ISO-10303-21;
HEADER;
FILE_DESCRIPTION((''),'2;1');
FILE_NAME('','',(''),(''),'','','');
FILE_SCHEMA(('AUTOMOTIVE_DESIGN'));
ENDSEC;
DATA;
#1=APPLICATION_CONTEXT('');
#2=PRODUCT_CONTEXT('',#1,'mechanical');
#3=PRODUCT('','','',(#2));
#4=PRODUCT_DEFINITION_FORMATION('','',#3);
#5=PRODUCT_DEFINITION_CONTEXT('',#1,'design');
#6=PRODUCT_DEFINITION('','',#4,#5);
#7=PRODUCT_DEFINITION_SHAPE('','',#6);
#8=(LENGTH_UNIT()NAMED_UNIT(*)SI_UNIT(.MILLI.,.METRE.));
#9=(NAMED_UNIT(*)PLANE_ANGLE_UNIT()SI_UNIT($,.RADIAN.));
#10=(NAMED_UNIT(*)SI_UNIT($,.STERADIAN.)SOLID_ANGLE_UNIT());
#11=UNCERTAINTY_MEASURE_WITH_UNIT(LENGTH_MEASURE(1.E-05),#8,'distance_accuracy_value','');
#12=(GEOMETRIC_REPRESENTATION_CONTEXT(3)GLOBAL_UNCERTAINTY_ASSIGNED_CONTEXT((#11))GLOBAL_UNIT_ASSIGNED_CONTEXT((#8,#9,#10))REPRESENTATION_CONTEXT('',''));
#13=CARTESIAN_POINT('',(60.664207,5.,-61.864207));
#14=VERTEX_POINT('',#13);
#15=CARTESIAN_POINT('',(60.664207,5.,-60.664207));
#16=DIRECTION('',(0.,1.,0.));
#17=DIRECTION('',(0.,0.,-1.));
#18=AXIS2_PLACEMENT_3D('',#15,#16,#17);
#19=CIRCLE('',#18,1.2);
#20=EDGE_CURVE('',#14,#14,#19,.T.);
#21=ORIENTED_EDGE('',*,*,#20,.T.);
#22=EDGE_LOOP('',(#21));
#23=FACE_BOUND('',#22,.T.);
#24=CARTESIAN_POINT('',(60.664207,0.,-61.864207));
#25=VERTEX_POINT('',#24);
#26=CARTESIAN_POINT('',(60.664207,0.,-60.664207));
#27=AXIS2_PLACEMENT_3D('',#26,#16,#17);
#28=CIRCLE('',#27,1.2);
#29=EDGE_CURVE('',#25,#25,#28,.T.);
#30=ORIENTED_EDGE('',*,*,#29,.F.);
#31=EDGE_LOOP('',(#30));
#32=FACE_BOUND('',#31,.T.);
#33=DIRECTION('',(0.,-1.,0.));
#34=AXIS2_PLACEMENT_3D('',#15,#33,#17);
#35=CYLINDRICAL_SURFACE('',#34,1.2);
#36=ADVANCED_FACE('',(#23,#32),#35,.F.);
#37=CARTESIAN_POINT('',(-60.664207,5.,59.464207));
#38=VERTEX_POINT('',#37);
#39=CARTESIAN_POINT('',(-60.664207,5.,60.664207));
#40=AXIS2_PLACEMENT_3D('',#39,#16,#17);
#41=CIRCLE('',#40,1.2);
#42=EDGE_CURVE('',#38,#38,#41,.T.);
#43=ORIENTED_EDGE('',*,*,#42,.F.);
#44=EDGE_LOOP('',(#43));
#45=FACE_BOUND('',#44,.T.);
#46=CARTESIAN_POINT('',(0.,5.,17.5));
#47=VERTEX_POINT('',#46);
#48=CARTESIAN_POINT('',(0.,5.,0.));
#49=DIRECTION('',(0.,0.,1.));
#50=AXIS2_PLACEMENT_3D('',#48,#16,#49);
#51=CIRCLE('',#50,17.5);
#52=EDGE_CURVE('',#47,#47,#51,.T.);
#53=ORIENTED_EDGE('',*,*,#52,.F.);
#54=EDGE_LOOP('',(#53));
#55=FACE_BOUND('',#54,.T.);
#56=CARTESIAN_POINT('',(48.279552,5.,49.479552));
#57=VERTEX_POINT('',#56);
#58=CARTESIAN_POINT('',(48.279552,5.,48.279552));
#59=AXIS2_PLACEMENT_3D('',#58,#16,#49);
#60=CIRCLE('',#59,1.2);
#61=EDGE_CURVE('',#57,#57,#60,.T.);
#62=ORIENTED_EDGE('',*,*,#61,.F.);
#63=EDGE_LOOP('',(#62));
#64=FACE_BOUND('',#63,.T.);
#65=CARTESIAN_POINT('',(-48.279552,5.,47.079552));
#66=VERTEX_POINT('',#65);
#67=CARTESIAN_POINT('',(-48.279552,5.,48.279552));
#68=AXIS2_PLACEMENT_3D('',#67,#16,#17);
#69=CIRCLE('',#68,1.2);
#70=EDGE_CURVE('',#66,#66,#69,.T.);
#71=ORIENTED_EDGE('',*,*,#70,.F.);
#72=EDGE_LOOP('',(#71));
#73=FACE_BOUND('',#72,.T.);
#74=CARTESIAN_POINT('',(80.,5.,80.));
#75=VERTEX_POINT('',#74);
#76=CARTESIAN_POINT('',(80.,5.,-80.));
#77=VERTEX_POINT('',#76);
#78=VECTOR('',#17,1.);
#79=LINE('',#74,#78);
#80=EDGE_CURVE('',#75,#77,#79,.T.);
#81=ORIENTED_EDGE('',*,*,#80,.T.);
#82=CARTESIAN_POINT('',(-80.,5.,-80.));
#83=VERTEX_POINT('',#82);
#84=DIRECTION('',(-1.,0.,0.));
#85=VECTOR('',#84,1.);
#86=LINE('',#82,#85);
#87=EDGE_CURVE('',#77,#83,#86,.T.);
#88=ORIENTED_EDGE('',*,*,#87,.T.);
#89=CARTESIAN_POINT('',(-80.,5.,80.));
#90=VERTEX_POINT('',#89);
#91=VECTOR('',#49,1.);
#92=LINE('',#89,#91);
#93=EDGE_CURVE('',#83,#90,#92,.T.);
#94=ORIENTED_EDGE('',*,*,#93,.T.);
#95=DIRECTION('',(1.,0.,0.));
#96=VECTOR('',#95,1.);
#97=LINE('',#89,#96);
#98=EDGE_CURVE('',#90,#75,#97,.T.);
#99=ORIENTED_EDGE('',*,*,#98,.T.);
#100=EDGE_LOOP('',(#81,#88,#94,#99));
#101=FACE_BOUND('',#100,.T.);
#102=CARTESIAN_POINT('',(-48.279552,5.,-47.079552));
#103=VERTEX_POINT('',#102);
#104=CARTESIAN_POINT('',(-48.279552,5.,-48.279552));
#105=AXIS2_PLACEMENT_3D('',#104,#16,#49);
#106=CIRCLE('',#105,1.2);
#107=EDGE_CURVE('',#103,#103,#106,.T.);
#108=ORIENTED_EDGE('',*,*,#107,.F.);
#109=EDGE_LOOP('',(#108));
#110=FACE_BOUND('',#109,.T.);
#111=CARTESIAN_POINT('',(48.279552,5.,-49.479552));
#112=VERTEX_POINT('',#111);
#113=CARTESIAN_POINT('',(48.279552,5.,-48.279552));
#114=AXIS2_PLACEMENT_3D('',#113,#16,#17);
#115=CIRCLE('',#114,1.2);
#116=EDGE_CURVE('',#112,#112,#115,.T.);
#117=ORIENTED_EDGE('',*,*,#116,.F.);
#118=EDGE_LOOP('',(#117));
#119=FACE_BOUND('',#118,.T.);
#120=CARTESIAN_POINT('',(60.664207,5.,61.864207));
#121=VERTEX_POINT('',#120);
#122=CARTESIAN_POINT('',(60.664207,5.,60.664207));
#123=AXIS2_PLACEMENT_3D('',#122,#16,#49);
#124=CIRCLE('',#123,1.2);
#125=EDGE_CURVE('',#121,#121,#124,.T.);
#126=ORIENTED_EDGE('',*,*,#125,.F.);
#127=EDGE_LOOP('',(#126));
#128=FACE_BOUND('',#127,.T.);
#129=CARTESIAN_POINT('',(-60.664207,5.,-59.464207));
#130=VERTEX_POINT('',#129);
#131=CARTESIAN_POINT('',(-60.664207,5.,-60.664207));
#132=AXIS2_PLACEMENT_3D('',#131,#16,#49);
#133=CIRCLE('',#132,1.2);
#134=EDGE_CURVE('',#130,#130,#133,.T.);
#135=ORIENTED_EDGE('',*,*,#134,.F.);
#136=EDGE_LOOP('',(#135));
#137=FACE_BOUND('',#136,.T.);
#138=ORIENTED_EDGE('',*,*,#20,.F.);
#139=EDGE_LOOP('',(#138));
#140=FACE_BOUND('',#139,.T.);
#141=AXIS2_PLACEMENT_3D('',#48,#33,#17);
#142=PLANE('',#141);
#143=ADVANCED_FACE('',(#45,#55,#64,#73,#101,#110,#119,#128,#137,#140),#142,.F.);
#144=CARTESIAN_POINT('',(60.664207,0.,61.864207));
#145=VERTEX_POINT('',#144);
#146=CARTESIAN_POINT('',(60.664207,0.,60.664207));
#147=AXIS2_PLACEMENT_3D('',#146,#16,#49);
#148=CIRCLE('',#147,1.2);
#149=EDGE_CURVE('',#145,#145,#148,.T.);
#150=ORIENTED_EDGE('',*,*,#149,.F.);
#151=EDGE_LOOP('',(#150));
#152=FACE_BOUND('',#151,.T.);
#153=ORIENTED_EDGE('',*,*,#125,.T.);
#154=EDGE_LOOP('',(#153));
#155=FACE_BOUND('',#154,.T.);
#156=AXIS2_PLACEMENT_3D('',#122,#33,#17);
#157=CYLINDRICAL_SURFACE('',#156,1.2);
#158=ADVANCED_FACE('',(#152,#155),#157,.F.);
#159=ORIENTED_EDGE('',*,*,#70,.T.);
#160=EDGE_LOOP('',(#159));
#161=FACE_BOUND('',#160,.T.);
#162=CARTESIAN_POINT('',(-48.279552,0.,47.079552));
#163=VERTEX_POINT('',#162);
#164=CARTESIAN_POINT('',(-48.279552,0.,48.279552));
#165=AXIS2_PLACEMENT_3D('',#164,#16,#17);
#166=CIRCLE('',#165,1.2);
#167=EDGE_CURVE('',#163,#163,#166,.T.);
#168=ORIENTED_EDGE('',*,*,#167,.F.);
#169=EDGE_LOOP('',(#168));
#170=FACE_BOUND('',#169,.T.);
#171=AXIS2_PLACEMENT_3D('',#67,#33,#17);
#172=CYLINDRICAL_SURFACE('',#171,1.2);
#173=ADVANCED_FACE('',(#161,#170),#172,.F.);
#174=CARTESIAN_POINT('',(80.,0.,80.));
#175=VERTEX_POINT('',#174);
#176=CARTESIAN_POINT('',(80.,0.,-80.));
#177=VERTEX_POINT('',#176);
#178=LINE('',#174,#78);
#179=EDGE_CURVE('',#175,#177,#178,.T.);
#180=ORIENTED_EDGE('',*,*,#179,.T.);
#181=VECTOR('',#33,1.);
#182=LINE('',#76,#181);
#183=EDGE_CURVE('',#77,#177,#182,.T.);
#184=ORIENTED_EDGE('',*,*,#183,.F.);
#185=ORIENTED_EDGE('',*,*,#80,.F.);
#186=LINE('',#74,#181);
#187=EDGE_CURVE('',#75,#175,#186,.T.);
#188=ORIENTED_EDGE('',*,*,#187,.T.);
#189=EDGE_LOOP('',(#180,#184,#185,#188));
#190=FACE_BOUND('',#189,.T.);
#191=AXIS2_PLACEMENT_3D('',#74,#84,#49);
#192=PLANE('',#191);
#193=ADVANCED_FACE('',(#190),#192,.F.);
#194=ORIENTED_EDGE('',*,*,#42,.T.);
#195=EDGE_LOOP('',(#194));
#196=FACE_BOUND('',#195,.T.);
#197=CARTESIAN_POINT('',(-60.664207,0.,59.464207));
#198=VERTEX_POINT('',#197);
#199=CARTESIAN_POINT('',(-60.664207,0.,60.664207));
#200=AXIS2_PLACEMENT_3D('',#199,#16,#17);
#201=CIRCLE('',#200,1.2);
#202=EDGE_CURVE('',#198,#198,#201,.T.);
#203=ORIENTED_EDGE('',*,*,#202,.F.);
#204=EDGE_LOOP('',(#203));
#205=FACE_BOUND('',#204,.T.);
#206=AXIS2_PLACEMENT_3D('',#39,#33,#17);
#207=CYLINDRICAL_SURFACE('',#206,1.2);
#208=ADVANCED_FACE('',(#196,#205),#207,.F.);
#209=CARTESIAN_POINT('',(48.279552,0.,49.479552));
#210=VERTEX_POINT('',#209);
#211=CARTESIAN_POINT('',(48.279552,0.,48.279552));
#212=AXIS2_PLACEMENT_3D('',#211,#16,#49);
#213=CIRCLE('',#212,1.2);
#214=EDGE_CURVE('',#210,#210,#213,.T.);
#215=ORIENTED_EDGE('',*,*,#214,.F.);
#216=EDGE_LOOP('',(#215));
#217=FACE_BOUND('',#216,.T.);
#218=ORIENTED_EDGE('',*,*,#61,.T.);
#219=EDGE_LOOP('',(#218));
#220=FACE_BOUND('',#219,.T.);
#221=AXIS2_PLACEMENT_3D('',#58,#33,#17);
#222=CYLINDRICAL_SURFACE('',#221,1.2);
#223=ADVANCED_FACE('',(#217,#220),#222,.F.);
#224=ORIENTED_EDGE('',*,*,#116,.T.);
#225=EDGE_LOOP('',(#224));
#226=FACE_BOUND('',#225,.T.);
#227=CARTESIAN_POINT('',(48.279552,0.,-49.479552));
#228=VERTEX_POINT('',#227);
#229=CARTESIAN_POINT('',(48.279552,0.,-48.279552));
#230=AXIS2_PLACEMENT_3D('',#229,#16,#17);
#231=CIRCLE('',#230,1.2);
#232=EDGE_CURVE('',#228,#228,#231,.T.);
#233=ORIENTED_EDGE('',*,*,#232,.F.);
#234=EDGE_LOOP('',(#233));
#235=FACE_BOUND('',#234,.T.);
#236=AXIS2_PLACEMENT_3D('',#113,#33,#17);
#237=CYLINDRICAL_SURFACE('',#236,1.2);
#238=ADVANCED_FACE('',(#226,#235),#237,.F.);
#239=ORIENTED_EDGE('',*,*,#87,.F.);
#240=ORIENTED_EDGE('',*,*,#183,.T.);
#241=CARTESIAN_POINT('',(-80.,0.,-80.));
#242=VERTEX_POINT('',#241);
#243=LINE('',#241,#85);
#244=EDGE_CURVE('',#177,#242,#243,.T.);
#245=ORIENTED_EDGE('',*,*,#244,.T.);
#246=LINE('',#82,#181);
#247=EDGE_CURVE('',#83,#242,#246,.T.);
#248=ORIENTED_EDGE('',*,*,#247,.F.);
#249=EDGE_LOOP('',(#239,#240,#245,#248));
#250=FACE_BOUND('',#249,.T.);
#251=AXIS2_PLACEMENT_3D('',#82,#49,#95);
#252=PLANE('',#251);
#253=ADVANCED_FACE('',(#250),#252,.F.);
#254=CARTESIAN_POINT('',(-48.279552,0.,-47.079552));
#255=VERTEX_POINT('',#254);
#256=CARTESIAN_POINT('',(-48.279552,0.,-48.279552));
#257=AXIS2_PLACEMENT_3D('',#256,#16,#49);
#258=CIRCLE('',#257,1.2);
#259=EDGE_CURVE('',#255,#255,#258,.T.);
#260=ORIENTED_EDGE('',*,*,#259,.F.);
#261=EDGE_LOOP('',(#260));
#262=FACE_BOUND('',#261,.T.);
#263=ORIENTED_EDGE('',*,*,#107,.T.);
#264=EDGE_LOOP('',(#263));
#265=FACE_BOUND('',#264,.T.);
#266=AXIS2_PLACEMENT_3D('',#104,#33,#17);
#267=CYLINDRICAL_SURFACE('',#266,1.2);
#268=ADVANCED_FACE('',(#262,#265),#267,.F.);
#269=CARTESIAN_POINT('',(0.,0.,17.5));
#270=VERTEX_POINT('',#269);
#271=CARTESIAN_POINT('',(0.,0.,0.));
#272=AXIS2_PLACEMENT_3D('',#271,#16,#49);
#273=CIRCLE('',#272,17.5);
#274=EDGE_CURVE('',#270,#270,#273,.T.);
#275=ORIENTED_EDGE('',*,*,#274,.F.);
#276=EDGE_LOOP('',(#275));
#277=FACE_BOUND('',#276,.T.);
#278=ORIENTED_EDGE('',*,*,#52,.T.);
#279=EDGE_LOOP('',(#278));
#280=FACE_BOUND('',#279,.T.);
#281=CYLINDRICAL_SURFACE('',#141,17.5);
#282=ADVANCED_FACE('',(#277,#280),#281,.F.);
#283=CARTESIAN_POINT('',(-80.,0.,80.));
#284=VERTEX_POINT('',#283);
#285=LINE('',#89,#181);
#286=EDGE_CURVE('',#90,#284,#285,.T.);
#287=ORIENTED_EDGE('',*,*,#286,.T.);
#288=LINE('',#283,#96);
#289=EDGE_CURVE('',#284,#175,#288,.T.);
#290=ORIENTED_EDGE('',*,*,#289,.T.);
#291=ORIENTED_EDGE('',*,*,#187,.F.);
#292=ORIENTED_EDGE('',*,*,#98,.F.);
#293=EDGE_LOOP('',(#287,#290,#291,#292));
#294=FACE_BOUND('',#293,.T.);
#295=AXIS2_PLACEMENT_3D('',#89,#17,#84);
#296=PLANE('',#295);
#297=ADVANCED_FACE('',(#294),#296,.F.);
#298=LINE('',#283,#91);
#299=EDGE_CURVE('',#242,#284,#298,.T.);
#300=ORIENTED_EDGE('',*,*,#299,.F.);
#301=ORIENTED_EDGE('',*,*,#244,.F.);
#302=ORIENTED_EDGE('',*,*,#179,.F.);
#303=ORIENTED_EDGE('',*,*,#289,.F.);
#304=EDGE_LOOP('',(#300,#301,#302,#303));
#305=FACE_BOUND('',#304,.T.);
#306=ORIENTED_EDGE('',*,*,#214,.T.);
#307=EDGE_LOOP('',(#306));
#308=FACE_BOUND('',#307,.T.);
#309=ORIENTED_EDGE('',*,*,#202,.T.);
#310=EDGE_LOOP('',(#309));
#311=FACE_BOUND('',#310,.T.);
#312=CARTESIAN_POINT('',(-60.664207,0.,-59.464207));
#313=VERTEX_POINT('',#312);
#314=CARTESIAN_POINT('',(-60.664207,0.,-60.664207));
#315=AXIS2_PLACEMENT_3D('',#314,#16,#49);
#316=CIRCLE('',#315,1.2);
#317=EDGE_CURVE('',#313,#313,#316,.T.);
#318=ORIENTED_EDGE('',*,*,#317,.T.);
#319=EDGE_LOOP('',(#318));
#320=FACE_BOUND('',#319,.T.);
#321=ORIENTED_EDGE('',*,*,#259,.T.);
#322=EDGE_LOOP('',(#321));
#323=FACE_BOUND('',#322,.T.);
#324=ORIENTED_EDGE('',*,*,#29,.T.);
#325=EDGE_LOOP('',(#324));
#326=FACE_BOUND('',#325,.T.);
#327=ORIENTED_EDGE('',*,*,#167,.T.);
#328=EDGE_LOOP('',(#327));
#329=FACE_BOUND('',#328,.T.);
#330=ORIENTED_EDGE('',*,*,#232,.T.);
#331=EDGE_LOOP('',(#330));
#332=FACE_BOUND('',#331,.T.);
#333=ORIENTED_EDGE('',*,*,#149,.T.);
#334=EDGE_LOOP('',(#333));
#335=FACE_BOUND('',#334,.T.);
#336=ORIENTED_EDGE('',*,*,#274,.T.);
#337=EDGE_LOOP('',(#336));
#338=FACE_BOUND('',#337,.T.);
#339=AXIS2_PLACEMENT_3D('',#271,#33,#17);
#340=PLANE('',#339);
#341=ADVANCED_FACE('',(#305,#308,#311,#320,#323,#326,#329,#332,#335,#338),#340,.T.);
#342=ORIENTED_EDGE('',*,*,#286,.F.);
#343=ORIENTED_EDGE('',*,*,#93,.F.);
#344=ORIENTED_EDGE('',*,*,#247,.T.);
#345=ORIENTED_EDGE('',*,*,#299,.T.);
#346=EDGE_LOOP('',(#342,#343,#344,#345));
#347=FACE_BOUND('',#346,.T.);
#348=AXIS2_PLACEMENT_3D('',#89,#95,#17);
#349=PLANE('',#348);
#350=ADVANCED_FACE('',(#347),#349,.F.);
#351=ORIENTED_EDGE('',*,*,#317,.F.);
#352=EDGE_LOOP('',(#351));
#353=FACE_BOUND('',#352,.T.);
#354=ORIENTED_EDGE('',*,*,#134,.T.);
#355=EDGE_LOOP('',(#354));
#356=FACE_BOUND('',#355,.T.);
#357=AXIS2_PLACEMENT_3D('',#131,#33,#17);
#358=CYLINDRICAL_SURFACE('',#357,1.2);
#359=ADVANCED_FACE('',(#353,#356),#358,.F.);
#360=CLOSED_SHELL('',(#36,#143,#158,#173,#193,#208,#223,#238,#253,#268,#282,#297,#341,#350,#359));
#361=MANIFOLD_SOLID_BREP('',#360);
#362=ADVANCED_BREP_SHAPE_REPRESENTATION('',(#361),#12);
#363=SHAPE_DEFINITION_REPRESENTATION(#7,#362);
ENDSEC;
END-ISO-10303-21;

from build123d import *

# Parameters (mm, degrees)
SKETCH1_W           = 160
SKETCH1_H           = 160
SKETCH1_R           = 1.2
SKETCH1_R_2         = 17.5
BOSS_EXTRUDE1_DEPTH = 5


with BuildPart() as part:
    # Sketch1 → Boss-Extrude1 (new body)
    with BuildSketch(Plane(origin=(0, 0, 0), x_dir=(1, 0, 0), z_dir=(0, 1, 0))):
        Rectangle(SKETCH1_W, SKETCH1_H)
        with Locations(Location((-60.664206642, 60.664206642, 0), (0, 0, 270))):
            Circle(SKETCH1_R, mode=Mode.SUBTRACT)
        with Locations(Location((-48.279552135, 48.279552135, 0), (0, 0, 270))):
            Circle(SKETCH1_R, mode=Mode.SUBTRACT)
        with Locations(Location((48.279552135, 48.279552135, 0), (0, 0, 90))):
            Circle(SKETCH1_R, mode=Mode.SUBTRACT)
        with Locations(Location((60.664206642, 60.664206642, 0), (0, 0, 90))):
            Circle(SKETCH1_R, mode=Mode.SUBTRACT)
        with Locations(Location((60.664206642, -60.664206642, 0), (0, 0, 270))):
            Circle(SKETCH1_R, mode=Mode.SUBTRACT)
        with Locations(Location((48.279552135, -48.279552135, 0), (0, 0, 270))):
            Circle(SKETCH1_R, mode=Mode.SUBTRACT)
        with Locations(Location((-48.279552135, -48.279552135, 0), (0, 0, 90))):
            Circle(SKETCH1_R, mode=Mode.SUBTRACT)
        with Locations(Location((-60.664206642, -60.664206642, 0), (0, 0, 90))):
            Circle(SKETCH1_R, mode=Mode.SUBTRACT)
        with Locations(Location((0, 0, 0), (0, 0, 270))):
            Circle(SKETCH1_R_2, mode=Mode.SUBTRACT)
    extrude(amount=BOSS_EXTRUDE1_DEPTH)


solid = part.part
